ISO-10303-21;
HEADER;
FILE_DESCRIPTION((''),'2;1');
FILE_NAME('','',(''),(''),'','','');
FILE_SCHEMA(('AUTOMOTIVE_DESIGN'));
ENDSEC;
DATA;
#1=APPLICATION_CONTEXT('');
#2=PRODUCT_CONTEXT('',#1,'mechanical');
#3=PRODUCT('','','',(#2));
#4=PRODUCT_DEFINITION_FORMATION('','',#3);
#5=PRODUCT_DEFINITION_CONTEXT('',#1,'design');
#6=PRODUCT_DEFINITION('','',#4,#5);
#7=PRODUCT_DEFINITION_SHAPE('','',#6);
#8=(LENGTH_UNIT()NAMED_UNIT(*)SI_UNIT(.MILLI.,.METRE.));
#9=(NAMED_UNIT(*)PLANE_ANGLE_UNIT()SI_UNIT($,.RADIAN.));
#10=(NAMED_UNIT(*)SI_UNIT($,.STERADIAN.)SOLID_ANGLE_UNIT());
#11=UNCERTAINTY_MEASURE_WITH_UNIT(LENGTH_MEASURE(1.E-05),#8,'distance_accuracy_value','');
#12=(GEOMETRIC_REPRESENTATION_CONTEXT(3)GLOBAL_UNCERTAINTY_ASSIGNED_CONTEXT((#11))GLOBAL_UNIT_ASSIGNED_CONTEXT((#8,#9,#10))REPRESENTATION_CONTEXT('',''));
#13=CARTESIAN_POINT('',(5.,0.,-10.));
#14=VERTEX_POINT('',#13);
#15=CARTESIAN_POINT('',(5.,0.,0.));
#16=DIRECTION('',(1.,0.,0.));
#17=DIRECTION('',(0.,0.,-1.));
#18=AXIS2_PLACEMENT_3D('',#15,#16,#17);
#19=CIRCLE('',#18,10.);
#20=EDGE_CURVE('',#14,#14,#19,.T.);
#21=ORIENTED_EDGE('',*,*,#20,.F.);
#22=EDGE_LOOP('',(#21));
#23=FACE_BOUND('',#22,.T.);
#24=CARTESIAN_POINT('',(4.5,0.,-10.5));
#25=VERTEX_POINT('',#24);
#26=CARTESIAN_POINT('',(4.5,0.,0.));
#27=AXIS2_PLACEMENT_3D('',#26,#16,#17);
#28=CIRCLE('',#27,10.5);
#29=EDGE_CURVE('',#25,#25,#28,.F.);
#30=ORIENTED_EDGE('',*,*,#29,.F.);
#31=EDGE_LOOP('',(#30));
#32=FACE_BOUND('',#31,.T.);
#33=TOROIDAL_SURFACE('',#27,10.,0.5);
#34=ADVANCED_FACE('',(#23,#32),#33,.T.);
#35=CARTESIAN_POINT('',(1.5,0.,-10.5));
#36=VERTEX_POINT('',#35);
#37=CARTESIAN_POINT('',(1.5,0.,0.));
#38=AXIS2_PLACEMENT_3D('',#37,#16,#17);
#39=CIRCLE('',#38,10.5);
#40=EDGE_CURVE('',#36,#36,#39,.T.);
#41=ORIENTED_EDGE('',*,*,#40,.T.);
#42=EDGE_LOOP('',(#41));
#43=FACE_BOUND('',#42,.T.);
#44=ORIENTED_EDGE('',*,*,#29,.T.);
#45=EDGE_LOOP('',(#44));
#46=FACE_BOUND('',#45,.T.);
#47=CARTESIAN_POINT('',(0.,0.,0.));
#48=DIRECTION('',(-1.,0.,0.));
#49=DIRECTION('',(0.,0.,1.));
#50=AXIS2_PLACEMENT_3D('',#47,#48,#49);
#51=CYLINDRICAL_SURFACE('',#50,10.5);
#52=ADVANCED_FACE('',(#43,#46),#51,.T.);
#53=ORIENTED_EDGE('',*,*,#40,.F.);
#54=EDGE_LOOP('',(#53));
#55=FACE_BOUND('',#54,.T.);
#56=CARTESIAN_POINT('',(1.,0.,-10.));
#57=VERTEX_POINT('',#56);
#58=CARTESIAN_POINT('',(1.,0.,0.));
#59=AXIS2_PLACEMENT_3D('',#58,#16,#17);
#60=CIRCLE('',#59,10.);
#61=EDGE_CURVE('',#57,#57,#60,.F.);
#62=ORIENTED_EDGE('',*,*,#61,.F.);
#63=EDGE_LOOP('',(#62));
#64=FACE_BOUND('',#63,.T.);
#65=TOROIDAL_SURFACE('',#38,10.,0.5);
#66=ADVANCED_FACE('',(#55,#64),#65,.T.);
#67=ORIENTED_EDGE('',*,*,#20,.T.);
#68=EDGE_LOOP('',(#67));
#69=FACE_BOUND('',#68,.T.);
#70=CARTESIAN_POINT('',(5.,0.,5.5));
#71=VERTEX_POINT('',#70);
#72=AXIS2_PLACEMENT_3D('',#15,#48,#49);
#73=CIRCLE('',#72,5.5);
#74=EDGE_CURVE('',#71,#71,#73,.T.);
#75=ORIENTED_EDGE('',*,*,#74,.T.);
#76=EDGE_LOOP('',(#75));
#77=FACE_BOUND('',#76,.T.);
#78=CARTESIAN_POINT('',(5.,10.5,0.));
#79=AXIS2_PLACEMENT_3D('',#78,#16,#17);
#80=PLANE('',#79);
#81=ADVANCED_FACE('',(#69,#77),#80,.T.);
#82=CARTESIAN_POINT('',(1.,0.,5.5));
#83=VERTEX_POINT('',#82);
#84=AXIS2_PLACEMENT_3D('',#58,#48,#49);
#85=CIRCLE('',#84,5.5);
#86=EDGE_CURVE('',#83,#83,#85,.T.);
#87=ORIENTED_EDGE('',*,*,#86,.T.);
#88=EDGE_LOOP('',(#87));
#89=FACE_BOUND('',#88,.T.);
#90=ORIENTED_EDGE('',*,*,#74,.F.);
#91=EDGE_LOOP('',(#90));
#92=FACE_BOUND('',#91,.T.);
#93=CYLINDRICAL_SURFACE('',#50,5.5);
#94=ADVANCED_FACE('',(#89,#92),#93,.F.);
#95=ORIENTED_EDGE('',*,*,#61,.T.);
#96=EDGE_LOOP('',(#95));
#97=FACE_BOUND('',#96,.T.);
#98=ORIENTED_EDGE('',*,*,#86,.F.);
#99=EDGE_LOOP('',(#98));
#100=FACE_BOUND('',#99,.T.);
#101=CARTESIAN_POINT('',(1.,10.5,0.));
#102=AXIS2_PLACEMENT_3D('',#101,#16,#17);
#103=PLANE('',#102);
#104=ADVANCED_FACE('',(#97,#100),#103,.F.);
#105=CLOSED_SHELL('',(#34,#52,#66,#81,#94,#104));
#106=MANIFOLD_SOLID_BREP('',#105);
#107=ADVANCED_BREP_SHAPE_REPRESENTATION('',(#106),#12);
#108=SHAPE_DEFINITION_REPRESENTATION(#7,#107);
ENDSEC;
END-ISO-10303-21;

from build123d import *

# Parameters (mm, degrees)
SKETCH1_W = 4
SKETCH1_H = 5
FILLET1_R = 0.5


with BuildPart() as part:
    # Sketch1 → Revolve1 (revolve)
    with BuildSketch(Plane.XY):
        with Locations((3, 8)):
            Rectangle(SKETCH1_W, SKETCH1_H)
    revolve(axis=Axis((0, 0, 0), (1, 0, 0)))

    # Fillet1
    fillet1_edges = [part.edges().sort_by_distance(p)[0] for p in [
        (5, -10.5, 0),
        (1, -10.5, 0),
    ]]
    fillet(fillet1_edges, radius=FILLET1_R)


solid = part.part
